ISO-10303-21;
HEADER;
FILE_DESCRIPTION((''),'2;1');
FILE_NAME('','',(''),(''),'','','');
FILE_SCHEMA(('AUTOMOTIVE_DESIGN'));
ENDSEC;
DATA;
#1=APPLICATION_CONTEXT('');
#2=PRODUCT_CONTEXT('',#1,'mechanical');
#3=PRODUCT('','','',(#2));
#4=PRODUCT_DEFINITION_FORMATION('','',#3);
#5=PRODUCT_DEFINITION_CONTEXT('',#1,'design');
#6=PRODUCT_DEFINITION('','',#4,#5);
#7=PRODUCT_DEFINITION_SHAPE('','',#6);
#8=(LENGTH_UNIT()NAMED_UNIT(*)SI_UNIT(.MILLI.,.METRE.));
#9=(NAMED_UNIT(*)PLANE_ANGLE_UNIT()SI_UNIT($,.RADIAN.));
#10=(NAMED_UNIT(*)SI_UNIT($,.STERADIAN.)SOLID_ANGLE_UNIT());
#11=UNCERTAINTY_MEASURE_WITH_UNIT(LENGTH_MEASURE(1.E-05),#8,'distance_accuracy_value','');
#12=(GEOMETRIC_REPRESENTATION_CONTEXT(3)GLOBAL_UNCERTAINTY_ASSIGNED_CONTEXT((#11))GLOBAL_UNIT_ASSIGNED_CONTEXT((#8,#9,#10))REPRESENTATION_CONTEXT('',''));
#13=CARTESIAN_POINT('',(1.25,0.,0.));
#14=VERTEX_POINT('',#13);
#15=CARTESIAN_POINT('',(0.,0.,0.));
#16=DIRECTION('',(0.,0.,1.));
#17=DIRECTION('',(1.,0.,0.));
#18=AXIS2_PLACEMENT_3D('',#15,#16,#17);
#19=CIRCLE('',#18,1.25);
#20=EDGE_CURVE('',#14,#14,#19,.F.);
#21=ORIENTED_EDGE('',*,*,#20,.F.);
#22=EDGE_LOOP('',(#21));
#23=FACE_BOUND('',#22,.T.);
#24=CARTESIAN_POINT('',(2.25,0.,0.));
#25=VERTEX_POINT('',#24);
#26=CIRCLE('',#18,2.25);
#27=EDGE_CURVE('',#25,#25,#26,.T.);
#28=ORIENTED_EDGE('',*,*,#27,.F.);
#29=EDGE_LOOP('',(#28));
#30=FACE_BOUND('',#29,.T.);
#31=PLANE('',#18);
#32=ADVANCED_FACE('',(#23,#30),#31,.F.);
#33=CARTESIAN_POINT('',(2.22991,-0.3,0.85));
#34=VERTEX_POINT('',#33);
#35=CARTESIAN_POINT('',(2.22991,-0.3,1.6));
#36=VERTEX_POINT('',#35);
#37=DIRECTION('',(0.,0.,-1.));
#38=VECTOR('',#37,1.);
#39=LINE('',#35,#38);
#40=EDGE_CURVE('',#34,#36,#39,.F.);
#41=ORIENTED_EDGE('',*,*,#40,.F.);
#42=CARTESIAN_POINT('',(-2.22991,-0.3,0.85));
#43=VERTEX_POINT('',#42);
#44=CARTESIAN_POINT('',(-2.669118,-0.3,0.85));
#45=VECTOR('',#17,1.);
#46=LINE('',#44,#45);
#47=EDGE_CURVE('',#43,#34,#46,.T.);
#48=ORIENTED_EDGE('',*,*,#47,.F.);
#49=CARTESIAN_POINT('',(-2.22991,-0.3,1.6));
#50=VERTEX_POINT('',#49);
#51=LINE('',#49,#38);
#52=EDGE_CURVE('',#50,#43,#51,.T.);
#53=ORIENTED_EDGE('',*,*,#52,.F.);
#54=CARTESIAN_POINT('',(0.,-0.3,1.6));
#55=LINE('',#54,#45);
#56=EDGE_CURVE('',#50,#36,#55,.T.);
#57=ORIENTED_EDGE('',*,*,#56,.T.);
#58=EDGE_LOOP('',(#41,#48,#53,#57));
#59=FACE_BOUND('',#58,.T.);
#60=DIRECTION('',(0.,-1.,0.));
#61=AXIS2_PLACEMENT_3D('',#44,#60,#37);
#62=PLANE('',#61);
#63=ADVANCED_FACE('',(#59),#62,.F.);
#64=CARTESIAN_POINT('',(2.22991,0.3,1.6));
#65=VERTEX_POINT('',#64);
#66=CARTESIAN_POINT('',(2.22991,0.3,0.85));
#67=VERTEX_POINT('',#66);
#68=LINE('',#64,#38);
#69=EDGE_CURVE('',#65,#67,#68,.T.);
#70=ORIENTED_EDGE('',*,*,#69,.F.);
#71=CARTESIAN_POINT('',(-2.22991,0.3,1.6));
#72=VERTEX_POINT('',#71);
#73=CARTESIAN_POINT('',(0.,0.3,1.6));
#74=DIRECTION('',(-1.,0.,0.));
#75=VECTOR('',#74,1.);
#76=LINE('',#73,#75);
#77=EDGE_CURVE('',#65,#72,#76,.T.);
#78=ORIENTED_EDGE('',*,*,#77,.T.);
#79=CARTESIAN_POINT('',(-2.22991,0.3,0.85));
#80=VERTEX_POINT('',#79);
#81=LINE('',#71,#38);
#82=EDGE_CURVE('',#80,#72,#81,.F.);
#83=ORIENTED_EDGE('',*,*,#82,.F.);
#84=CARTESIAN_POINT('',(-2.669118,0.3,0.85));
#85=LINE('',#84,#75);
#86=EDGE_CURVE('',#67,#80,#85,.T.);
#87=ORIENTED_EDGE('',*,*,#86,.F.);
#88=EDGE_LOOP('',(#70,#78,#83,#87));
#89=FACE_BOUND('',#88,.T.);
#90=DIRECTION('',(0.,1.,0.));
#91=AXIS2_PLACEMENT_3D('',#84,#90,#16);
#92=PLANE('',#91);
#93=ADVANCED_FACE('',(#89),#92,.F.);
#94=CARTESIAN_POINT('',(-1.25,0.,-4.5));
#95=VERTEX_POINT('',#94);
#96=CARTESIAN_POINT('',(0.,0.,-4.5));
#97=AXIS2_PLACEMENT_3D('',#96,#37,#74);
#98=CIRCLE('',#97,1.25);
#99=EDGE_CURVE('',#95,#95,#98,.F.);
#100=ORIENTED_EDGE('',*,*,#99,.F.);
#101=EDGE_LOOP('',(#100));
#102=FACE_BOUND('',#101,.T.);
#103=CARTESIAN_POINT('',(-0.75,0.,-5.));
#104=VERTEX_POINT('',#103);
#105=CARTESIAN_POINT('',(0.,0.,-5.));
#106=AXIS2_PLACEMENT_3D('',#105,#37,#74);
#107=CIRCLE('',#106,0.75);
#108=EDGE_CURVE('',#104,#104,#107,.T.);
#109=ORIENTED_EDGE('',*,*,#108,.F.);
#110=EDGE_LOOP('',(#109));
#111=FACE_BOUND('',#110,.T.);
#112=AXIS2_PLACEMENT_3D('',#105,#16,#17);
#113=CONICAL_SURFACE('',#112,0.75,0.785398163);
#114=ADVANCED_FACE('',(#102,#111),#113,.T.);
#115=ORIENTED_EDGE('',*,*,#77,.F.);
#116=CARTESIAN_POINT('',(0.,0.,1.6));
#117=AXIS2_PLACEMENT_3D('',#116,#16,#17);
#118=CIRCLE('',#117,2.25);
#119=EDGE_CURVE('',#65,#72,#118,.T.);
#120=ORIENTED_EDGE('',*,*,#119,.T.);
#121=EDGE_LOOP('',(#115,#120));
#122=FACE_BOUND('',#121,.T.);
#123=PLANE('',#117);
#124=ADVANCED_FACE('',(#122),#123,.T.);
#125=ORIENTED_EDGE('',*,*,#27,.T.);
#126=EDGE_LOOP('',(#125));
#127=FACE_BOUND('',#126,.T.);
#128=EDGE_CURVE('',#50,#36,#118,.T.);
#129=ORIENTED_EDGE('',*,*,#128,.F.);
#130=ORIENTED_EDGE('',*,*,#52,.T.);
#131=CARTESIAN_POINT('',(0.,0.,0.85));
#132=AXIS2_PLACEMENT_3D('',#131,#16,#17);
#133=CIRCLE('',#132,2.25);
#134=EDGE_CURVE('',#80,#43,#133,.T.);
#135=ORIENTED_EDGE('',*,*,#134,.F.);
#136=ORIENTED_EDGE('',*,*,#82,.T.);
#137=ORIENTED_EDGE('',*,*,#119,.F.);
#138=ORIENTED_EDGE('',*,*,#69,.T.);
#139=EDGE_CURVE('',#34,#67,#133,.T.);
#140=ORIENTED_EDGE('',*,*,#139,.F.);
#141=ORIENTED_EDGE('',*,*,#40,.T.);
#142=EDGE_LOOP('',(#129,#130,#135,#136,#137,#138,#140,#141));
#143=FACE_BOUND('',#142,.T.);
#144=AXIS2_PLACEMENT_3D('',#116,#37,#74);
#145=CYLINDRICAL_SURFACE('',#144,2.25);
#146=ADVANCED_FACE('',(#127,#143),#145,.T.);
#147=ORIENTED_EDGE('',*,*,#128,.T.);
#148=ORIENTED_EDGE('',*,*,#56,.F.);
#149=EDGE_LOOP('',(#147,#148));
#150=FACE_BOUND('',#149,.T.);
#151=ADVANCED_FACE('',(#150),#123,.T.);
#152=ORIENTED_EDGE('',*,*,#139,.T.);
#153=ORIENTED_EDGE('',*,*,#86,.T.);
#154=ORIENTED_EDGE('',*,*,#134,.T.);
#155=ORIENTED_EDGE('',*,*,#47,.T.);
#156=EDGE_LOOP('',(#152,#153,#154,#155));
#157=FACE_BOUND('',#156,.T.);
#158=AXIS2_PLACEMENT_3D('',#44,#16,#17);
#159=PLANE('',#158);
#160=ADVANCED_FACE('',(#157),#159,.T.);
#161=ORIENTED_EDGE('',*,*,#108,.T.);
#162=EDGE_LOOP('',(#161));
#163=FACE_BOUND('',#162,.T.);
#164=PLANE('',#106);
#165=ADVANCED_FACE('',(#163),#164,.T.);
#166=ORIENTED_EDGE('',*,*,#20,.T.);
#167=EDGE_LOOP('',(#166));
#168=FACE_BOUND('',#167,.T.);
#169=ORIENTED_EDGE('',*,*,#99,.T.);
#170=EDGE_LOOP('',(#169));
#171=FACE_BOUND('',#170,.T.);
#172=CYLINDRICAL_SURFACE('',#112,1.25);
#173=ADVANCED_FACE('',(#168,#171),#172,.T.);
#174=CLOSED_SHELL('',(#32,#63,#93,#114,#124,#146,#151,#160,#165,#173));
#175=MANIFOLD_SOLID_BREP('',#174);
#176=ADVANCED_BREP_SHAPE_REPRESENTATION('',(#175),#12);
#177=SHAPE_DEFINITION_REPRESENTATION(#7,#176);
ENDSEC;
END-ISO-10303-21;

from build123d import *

# Parameters (mm, degrees)
SKETCH_12_R         = 2.25
EXTRUDE_3_DEPTH     = 1.6
SKETCH_13_R         = 1.25
EXTRUDE_4_DEPTH     = 5
SKETCH_20_W         = 5.3767507
SKETCH_20_H         = 0.6
CUT_EXTRUDE_8_DEPTH = 0.75
CHAMFER_1_SIZE      = 0.5


with BuildPart() as part:
    # Эскиз12 → Вытянуть3 (new body)
    with BuildSketch(Plane.XY):
        Circle(SKETCH_12_R)
    extrude(amount=EXTRUDE_3_DEPTH)

    # Эскиз13 → Вытянуть4 (add)
    with BuildSketch(Plane(origin=(0, 0, 0), x_dir=(-1, 0, 0), z_dir=(0, 0, -1))):
        with Locations(Location((0, 0, 0), (0, 0, 180))):
            Circle(SKETCH_13_R)
    extrude(amount=EXTRUDE_4_DEPTH)

    # Эскиз20 → Вырез-Вытянуть8 (cut)
    with BuildSketch(Plane.XY.offset(1.6)):
        with Locations((0.019257703, 0)):
            Rectangle(SKETCH_20_W, SKETCH_20_H)
    extrude(amount=-CUT_EXTRUDE_8_DEPTH, mode=Mode.SUBTRACT)

    # Фаска1
    chamfer_1_edges = [part.edges().sort_by_distance(p)[0] for p in [
        (-1.25, 0, -5),
    ]]
    chamfer(chamfer_1_edges, length=CHAMFER_1_SIZE)


solid = part.part
